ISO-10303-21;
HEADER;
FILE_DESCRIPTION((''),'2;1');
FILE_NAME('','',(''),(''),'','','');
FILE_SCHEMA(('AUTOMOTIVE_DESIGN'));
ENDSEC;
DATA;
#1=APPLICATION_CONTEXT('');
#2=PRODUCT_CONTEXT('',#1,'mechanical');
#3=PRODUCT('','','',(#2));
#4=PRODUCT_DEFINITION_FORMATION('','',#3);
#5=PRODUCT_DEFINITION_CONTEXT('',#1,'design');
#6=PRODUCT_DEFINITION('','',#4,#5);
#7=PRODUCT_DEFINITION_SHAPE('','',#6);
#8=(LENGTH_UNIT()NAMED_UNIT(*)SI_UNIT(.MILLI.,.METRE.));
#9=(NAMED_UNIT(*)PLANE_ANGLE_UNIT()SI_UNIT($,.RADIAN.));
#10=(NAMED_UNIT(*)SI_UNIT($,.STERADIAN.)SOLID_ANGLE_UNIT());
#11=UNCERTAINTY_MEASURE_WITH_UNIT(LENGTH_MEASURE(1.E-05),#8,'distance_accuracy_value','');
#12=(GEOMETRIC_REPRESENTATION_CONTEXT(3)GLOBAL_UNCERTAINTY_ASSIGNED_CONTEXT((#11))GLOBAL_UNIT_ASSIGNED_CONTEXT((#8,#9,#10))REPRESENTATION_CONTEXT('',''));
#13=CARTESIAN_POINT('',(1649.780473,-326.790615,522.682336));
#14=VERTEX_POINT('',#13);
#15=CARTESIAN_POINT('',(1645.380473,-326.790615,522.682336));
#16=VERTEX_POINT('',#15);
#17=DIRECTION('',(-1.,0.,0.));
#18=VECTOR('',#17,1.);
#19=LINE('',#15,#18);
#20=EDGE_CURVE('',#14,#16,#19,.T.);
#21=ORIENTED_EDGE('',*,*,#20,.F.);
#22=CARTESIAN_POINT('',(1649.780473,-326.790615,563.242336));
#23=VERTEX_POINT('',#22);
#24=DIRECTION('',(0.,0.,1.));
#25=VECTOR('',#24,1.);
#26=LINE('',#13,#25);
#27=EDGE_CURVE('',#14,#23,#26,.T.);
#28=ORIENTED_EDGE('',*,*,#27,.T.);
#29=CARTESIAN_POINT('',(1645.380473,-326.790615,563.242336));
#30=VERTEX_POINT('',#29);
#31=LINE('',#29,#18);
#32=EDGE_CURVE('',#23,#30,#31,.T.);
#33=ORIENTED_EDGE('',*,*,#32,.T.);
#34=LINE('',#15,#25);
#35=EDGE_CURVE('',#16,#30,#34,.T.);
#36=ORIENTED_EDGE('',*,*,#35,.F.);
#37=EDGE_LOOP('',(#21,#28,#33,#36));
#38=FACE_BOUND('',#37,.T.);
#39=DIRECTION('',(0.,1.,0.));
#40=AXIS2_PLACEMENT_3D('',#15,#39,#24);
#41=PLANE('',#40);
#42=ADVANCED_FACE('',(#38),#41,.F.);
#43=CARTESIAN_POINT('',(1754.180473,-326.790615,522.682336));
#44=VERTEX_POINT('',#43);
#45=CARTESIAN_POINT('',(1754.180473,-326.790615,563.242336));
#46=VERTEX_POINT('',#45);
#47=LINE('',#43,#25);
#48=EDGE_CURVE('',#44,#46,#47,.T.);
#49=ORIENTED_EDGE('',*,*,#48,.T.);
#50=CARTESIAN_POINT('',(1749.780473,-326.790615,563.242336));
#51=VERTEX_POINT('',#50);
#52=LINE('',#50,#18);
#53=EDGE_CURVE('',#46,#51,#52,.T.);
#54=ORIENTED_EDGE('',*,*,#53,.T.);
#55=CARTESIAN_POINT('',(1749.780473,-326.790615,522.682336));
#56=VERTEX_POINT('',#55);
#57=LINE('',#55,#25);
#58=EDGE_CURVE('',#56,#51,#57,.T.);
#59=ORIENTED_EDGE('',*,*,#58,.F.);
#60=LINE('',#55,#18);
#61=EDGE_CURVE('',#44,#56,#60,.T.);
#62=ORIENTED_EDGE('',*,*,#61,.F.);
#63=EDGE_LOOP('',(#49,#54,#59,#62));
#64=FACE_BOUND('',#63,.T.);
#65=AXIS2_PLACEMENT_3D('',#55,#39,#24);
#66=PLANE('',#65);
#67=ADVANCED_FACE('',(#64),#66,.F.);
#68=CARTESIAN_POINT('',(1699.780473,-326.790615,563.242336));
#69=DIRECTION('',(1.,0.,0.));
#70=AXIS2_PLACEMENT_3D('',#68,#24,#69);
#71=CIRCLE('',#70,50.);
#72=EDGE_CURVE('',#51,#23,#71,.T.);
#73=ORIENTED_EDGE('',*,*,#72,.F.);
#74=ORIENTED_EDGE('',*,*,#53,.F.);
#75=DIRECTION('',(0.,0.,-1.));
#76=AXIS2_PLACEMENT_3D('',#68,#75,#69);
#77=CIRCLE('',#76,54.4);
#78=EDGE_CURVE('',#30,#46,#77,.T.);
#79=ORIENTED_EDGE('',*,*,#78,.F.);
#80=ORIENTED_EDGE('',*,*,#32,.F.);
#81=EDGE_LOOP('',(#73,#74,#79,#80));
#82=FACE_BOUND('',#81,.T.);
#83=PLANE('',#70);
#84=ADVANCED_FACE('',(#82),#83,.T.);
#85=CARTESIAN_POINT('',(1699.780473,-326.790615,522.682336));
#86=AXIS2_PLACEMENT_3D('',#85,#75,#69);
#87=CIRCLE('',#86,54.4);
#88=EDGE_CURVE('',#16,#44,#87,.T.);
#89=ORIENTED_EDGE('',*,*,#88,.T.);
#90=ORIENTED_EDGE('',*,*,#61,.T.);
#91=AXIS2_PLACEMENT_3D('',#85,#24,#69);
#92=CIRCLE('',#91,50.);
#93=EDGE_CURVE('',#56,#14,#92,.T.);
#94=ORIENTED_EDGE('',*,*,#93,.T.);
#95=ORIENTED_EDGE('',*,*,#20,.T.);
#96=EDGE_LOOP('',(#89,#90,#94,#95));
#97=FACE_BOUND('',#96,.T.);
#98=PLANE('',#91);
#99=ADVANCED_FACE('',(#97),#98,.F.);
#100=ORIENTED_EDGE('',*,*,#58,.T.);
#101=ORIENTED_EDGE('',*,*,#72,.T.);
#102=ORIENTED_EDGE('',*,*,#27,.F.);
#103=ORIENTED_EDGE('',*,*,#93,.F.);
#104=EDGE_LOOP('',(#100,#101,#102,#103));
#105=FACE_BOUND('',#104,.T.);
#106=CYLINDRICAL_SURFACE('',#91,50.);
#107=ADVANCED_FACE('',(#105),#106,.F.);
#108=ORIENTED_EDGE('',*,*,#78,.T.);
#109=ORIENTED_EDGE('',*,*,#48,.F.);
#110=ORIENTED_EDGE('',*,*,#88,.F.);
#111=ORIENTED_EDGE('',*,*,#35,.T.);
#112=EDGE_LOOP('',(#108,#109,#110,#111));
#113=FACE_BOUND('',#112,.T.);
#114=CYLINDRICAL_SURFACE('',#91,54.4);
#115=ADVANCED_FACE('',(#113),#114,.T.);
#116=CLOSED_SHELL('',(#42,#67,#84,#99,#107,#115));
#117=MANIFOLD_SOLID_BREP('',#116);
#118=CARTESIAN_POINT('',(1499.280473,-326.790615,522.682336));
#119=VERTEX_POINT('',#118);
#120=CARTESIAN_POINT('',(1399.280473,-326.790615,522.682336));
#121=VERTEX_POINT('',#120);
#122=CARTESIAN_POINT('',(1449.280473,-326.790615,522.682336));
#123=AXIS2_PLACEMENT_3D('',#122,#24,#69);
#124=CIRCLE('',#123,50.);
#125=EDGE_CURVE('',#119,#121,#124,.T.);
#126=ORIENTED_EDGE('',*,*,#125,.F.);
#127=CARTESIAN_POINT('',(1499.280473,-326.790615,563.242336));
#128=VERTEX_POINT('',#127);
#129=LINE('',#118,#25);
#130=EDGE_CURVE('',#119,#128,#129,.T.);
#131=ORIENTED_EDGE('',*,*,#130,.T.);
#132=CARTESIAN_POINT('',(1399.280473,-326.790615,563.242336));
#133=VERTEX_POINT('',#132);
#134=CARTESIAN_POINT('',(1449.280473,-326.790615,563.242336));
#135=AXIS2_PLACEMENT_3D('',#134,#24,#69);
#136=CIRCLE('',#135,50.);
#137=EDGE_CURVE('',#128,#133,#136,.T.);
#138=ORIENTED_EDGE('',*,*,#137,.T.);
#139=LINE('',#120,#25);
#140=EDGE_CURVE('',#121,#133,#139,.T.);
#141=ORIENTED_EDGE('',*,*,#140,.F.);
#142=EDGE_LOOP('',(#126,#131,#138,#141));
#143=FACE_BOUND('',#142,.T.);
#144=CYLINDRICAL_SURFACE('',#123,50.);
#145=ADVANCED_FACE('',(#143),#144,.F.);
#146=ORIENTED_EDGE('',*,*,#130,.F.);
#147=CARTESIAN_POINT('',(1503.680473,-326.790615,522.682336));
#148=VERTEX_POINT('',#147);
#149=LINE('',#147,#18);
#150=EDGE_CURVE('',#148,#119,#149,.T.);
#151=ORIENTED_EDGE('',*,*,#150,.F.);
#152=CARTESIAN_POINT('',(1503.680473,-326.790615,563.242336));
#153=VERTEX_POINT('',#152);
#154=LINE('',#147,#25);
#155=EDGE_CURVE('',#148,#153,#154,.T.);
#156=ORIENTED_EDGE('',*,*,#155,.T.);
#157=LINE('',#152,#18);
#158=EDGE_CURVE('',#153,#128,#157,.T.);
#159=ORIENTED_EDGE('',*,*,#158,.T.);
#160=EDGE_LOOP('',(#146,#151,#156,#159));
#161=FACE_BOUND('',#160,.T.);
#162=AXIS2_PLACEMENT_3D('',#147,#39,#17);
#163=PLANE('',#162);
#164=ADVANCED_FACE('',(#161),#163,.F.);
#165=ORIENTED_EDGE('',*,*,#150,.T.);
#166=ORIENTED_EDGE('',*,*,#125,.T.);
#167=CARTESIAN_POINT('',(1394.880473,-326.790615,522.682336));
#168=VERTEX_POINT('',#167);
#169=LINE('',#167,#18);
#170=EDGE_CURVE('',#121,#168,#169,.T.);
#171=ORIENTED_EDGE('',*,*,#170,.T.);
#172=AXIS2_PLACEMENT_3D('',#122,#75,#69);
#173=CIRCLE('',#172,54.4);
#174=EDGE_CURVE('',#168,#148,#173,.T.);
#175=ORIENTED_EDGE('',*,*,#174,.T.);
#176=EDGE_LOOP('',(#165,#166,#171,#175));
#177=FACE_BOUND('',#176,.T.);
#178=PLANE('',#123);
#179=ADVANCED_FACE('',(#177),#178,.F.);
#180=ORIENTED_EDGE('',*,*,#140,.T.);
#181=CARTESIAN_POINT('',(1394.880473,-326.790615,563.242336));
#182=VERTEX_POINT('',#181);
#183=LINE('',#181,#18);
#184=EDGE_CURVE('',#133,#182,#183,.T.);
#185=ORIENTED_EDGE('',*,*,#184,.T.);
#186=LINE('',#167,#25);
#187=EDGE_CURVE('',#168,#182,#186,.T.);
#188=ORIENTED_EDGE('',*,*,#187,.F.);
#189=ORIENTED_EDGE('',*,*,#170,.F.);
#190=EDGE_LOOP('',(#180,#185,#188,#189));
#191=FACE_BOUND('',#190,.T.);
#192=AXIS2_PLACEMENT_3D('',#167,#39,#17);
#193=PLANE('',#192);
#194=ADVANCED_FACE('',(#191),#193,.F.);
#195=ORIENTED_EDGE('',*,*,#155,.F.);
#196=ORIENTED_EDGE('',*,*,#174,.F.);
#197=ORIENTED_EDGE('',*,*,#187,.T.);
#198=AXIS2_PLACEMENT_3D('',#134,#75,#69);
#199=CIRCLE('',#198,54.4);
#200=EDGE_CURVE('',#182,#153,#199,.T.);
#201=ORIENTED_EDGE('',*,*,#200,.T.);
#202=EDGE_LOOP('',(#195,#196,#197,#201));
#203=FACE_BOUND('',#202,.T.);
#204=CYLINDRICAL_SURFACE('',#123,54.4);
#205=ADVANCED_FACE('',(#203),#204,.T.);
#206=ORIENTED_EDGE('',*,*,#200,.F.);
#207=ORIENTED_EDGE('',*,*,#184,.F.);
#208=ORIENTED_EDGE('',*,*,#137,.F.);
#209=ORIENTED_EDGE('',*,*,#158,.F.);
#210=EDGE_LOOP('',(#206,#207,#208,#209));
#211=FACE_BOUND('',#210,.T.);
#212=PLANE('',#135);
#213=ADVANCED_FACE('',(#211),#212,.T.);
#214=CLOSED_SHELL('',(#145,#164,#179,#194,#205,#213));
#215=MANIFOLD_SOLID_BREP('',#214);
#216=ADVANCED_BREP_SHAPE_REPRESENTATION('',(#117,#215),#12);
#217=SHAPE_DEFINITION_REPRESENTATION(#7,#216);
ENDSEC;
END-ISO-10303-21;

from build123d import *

# Parameters (mm, degrees)
BOSS_EXTRUDE1_DEPTH   = 40.56
BOSS_EXTRUDE1_2_DEPTH = 40.56


with BuildPart() as part:
    # Sketch1 → Boss-Extrude1 (new body)
    with BuildSketch(Plane(origin=(0, 0, 563.242336202), x_dir=(0, -1, 0), z_dir=(0, 0, -1))):
        with BuildLine():
            Line((326.790615215, -1394.880472759), (326.790615215, -1399.280472759))
            ThreePointArc((326.790615215, -1399.280472759), (276.790615215, -1449.280472759), (326.790615215, -1499.280472759))
            Line((326.790615215, -1499.280472759), (326.790615215, -1503.680472759))
            ThreePointArc((326.790615215, -1503.680472759), (272.390615215, -1449.280472759), (326.790615215, -1394.880472759))
        make_face()
    extrude(amount=BOSS_EXTRUDE1_DEPTH)


with BuildPart() as body_2:
    # Sketch1 → Boss-Extrude1 2 (new body)
    with BuildSketch(Plane(origin=(0, 0, 563.242336202), x_dir=(0, -1, 0), z_dir=(0, 0, -1))):
        with BuildLine():
            Line((326.790615215, -1749.780472759), (326.790615215, -1754.180472759))
            ThreePointArc((326.790615215, -1754.180472759), (272.390615215, -1699.780472759), (326.790615215, -1645.380472759))
            Line((326.790615215, -1645.380472759), (326.790615215, -1649.780472759))
            ThreePointArc((326.790615215, -1649.780472759), (276.790615215, -1699.780472759), (326.790615215, -1749.780472759))
        make_face()
    extrude(amount=BOSS_EXTRUDE1_2_DEPTH)


solid = Compound([part.part, body_2.part])
